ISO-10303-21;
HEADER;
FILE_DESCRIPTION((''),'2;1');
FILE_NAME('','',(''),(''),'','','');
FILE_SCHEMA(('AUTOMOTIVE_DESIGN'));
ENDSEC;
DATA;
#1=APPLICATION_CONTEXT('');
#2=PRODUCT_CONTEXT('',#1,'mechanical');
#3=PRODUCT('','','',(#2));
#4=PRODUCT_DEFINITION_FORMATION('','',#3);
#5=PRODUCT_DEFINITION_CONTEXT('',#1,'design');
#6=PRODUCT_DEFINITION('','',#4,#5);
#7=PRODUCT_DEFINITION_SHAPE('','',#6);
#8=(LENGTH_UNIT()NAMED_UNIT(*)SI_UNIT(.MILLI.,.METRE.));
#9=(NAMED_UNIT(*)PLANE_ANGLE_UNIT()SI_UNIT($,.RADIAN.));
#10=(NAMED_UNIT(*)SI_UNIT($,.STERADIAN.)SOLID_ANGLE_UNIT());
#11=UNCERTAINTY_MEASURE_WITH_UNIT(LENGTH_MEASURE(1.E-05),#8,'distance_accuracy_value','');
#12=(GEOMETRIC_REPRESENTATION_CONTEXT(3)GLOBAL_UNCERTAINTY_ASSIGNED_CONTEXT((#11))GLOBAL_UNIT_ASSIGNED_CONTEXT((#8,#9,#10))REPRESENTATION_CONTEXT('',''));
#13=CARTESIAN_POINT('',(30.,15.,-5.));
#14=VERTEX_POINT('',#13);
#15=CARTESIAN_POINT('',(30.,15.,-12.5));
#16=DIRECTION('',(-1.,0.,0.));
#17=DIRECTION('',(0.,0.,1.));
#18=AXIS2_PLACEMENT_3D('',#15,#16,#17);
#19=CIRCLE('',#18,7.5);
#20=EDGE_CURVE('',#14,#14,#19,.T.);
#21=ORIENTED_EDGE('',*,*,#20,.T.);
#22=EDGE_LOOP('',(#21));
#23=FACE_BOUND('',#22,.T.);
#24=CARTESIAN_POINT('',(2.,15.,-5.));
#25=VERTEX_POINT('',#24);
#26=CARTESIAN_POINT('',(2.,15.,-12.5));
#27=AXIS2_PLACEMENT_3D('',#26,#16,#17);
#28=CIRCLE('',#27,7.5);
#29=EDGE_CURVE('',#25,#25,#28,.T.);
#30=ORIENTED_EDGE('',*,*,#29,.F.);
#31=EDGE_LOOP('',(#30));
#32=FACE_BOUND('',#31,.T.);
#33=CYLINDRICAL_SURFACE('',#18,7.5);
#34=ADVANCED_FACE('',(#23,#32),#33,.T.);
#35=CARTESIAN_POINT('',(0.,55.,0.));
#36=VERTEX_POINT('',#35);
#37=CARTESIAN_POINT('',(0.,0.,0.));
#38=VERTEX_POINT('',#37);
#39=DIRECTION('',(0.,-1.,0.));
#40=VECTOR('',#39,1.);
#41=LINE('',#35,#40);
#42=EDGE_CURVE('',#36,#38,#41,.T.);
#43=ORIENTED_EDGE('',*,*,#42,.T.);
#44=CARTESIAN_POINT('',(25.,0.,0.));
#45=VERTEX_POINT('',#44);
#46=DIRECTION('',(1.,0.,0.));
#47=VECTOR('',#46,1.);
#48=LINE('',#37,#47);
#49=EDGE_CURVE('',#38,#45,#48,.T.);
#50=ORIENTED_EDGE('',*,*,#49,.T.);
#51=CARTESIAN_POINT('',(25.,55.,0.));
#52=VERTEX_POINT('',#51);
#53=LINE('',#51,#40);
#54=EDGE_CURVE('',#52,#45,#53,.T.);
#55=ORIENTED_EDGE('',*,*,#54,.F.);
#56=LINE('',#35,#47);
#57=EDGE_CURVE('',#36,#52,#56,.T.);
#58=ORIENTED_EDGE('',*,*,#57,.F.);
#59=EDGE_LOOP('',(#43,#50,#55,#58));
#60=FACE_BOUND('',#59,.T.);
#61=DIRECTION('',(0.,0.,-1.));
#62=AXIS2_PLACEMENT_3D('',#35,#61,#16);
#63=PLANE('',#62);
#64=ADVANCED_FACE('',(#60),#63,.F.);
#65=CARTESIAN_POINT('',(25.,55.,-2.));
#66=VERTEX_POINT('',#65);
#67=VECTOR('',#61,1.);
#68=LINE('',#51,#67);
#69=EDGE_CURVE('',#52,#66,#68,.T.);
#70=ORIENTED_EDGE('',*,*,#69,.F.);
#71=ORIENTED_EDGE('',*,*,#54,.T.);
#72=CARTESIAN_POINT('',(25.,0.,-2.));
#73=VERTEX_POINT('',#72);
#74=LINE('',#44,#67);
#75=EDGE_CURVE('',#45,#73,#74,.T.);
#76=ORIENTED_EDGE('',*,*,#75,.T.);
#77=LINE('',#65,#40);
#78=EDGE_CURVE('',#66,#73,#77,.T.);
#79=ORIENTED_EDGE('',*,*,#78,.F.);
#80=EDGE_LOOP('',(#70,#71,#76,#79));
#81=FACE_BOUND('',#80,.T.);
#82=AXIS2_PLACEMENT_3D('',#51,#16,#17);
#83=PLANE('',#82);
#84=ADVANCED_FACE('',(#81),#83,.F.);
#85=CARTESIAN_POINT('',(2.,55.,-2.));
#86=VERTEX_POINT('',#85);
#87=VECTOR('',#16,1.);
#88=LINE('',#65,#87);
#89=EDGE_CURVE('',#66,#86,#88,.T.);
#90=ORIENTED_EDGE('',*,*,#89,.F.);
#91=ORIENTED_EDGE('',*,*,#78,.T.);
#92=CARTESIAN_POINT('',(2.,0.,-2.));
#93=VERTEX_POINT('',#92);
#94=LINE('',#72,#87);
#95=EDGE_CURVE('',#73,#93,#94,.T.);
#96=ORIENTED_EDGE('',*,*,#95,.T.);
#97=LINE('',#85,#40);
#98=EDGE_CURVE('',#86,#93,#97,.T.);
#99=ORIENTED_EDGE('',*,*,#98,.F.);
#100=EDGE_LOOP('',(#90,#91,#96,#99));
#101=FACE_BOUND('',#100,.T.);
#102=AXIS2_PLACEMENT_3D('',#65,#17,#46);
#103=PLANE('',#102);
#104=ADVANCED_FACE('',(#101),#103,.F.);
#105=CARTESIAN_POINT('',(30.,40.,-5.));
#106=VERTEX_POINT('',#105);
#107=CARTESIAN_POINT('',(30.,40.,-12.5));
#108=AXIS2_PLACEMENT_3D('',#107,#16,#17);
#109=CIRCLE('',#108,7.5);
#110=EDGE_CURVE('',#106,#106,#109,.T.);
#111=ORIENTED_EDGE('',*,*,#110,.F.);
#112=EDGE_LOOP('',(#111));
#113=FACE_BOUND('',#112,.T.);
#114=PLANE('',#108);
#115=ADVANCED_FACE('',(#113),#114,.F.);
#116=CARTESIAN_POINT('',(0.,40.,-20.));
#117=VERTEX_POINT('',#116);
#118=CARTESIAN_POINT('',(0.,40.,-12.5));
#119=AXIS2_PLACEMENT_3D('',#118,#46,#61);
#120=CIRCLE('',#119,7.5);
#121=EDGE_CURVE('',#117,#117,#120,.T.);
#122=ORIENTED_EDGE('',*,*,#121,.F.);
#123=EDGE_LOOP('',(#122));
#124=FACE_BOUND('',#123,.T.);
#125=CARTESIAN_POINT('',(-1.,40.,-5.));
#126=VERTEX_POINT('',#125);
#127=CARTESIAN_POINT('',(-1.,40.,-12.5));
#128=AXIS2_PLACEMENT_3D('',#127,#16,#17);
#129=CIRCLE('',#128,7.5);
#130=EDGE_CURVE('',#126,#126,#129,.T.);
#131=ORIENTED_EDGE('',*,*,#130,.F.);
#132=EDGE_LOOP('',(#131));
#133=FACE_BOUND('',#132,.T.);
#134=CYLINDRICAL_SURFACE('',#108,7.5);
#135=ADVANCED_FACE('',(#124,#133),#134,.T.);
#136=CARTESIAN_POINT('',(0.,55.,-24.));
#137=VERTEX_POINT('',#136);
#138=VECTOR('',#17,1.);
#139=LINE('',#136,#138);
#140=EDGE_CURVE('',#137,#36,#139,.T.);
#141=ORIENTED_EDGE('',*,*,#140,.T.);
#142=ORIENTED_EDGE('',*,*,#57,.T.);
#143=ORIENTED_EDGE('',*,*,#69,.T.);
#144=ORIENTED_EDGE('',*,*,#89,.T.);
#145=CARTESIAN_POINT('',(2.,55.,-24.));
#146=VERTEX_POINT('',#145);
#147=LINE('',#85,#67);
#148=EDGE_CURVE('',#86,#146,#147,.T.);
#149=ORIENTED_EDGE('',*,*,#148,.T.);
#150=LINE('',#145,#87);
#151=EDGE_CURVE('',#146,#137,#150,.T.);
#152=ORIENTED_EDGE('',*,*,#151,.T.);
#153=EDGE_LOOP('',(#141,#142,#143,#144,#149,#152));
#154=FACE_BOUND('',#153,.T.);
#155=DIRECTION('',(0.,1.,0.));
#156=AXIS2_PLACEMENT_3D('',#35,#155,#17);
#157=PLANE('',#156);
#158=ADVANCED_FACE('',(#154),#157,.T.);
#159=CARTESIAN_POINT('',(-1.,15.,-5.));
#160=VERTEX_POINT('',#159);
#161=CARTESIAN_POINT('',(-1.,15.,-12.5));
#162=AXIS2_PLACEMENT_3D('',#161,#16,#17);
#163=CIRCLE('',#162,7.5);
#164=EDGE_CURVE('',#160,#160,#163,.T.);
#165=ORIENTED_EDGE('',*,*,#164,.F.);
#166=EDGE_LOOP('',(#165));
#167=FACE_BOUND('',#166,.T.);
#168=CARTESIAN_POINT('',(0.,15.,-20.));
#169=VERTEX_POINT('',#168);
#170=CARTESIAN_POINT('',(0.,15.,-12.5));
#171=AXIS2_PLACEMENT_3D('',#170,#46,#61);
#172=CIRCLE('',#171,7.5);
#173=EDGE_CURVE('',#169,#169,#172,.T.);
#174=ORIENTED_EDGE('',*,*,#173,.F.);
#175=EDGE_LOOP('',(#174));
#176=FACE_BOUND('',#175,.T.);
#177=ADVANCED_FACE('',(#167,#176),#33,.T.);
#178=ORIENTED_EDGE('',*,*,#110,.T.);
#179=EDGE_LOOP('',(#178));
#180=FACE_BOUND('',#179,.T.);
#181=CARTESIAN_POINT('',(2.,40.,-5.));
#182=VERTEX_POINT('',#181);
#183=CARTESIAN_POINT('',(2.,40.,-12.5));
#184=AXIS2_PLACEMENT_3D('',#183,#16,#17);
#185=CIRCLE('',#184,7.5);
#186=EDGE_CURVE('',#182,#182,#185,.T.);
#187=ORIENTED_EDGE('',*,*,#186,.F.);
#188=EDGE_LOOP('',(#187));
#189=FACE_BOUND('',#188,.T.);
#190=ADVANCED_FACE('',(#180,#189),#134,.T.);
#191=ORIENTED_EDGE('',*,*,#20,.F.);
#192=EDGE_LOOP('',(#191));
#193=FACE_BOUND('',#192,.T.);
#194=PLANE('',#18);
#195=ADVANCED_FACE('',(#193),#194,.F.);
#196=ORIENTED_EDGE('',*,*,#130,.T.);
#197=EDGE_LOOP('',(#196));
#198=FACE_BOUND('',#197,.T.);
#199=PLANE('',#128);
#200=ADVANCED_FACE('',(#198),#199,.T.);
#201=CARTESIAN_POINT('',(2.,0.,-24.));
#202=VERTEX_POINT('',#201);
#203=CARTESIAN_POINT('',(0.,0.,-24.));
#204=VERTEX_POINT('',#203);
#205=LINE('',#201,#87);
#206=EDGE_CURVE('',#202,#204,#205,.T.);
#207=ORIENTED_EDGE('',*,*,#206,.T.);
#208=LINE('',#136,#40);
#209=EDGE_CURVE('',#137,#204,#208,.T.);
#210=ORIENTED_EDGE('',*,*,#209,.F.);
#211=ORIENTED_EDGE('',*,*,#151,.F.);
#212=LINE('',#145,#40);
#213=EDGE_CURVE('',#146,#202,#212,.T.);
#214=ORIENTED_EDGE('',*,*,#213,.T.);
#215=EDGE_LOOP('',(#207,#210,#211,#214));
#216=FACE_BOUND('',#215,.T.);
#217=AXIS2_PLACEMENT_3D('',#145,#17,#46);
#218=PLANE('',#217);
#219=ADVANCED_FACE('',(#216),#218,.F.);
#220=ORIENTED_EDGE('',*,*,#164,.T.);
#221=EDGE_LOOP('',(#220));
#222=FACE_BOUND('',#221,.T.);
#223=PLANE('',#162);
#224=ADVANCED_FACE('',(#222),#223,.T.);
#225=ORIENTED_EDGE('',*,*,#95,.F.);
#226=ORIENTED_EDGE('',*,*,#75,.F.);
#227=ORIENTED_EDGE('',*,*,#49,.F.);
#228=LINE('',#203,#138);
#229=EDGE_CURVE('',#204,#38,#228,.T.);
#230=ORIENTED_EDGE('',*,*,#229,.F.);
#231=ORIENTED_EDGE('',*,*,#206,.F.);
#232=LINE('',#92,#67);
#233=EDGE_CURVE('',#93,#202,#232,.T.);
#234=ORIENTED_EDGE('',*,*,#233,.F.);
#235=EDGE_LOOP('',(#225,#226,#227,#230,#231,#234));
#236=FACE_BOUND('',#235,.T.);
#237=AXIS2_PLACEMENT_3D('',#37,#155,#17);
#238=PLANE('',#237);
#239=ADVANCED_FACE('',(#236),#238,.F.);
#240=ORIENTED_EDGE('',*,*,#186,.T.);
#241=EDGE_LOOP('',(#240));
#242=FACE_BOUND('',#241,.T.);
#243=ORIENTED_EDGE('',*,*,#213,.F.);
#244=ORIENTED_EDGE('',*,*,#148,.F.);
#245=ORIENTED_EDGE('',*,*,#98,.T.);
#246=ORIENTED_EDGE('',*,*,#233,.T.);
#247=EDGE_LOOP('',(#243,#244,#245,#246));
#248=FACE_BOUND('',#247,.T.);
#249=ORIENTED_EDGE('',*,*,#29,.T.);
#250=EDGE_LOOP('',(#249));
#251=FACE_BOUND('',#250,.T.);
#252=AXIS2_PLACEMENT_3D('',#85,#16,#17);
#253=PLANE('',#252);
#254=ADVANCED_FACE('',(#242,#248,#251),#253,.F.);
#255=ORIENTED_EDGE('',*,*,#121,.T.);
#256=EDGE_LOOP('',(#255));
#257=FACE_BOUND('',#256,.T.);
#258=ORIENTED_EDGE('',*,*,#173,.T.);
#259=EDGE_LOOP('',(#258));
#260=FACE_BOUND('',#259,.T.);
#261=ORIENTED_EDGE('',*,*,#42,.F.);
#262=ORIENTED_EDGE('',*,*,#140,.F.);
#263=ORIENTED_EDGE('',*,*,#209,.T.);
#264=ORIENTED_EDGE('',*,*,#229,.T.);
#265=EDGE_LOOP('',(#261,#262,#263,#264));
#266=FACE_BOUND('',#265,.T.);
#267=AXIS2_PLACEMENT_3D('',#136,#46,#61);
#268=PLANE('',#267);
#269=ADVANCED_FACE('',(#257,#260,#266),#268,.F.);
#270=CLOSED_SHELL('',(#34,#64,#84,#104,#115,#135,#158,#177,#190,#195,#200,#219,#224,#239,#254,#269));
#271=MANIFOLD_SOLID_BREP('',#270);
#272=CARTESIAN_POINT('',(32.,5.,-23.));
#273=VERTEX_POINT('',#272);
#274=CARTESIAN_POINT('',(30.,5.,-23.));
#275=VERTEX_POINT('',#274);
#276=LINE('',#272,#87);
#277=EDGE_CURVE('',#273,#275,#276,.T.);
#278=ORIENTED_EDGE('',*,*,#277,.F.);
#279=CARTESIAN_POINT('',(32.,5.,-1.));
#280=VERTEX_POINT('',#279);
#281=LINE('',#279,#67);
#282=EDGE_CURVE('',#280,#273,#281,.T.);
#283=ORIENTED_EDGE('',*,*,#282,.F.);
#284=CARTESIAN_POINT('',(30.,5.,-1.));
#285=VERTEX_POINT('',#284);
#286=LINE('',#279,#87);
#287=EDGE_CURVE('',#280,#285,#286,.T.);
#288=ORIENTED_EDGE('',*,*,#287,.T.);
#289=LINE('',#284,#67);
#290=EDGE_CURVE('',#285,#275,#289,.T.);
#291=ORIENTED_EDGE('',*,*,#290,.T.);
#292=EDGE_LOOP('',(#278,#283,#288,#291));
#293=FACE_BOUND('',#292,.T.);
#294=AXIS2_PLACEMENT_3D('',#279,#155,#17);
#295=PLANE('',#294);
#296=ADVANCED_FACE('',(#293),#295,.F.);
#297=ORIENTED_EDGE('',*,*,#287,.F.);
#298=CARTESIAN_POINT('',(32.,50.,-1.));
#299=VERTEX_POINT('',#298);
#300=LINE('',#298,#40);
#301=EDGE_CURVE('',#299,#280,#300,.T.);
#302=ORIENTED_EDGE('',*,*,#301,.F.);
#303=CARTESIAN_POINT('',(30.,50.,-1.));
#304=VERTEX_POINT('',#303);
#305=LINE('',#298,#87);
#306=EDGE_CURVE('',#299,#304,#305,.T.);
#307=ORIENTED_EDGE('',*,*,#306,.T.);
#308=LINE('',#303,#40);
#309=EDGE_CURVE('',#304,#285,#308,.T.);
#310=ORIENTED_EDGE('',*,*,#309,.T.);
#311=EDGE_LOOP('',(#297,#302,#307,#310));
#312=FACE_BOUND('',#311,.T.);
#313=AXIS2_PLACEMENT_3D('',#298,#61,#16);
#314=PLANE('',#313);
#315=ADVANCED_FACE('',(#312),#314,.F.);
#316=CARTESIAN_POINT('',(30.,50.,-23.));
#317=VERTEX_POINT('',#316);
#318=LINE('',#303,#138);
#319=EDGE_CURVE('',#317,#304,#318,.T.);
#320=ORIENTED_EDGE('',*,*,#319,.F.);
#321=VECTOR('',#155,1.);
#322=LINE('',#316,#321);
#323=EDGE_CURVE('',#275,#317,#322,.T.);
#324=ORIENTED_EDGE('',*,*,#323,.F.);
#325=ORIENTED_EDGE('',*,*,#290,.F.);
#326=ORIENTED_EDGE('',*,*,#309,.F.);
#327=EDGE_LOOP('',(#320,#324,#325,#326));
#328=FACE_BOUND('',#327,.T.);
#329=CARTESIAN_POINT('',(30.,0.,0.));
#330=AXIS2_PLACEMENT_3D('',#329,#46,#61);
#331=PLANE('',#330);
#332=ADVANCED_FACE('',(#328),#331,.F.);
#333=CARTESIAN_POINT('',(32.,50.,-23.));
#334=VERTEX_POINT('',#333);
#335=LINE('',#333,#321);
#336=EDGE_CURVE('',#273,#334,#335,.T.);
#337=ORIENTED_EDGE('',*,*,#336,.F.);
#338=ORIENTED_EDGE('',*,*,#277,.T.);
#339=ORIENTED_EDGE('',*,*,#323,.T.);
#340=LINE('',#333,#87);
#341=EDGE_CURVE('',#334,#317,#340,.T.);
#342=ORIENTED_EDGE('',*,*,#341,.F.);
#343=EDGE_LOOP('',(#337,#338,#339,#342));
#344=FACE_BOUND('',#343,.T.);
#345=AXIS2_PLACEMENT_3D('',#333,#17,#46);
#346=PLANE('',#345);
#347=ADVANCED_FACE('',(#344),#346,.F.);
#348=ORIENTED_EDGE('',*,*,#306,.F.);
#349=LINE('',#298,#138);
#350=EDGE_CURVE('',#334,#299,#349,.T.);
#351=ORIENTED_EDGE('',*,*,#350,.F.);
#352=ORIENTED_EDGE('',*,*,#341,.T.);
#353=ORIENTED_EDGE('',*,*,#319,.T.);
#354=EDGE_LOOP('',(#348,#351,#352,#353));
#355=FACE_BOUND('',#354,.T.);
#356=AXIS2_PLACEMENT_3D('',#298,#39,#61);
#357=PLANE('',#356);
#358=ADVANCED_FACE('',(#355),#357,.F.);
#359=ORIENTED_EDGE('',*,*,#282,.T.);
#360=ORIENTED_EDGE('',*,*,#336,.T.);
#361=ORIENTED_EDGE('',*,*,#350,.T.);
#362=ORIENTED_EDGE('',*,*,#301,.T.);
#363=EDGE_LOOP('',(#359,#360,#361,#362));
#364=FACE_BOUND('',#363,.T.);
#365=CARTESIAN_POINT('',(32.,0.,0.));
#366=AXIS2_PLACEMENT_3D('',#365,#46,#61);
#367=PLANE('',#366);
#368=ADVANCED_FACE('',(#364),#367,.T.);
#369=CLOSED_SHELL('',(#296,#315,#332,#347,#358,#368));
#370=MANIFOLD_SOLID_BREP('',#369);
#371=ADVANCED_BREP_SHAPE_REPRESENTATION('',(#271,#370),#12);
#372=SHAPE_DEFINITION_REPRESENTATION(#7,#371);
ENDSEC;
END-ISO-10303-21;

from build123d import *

# Parameters (mm, degrees)
BOSS_EXTRUDE1_DEPTH      = 55
BOSS_EXTRUDE2_DEPTH      = 1
BOSS_EXTRUDE2_DEPTH_BACK = 30
SKETCH2_R                = 7.5
SKETCH4_W                = 22
SKETCH4_H                = 45
BOSS_EXTRUDE3_DEPTH      = 2


with BuildPart() as part:
    # Sketch1 → Boss-Extrude1 (new body)
    with BuildSketch(Plane(origin=(0, 0, 0), x_dir=(1, 0, 0), z_dir=(0, 1, 0))):
        Polygon((0, 0), (25, 0), (25, 2), (2, 2), (2, 24), (0, 24), align=None)
    extrude(amount=BOSS_EXTRUDE1_DEPTH)

    # Sketch2 → Boss-Extrude2 (add, two sides: drawn at the far end of the back side and taken through both)
    with BuildSketch(Plane.ZY.offset(-BOSS_EXTRUDE2_DEPTH_BACK)):
        with Locations((-12.5, 15)):
            Circle(SKETCH2_R)
        with Locations((-12.5, 40)):
            Circle(SKETCH2_R)
    extrude(amount=BOSS_EXTRUDE2_DEPTH + BOSS_EXTRUDE2_DEPTH_BACK)


with BuildPart() as body_2:
    # Sketch4 → Boss-Extrude3 (new body)
    with BuildSketch(Plane(origin=(30, 0, 0), x_dir=(0, 0, -1), z_dir=(1, 0, 0))):
        with Locations((12, 27.5)):
            Rectangle(SKETCH4_W, SKETCH4_H)
    extrude(amount=BOSS_EXTRUDE3_DEPTH)


solid = Compound([part.part, body_2.part])
